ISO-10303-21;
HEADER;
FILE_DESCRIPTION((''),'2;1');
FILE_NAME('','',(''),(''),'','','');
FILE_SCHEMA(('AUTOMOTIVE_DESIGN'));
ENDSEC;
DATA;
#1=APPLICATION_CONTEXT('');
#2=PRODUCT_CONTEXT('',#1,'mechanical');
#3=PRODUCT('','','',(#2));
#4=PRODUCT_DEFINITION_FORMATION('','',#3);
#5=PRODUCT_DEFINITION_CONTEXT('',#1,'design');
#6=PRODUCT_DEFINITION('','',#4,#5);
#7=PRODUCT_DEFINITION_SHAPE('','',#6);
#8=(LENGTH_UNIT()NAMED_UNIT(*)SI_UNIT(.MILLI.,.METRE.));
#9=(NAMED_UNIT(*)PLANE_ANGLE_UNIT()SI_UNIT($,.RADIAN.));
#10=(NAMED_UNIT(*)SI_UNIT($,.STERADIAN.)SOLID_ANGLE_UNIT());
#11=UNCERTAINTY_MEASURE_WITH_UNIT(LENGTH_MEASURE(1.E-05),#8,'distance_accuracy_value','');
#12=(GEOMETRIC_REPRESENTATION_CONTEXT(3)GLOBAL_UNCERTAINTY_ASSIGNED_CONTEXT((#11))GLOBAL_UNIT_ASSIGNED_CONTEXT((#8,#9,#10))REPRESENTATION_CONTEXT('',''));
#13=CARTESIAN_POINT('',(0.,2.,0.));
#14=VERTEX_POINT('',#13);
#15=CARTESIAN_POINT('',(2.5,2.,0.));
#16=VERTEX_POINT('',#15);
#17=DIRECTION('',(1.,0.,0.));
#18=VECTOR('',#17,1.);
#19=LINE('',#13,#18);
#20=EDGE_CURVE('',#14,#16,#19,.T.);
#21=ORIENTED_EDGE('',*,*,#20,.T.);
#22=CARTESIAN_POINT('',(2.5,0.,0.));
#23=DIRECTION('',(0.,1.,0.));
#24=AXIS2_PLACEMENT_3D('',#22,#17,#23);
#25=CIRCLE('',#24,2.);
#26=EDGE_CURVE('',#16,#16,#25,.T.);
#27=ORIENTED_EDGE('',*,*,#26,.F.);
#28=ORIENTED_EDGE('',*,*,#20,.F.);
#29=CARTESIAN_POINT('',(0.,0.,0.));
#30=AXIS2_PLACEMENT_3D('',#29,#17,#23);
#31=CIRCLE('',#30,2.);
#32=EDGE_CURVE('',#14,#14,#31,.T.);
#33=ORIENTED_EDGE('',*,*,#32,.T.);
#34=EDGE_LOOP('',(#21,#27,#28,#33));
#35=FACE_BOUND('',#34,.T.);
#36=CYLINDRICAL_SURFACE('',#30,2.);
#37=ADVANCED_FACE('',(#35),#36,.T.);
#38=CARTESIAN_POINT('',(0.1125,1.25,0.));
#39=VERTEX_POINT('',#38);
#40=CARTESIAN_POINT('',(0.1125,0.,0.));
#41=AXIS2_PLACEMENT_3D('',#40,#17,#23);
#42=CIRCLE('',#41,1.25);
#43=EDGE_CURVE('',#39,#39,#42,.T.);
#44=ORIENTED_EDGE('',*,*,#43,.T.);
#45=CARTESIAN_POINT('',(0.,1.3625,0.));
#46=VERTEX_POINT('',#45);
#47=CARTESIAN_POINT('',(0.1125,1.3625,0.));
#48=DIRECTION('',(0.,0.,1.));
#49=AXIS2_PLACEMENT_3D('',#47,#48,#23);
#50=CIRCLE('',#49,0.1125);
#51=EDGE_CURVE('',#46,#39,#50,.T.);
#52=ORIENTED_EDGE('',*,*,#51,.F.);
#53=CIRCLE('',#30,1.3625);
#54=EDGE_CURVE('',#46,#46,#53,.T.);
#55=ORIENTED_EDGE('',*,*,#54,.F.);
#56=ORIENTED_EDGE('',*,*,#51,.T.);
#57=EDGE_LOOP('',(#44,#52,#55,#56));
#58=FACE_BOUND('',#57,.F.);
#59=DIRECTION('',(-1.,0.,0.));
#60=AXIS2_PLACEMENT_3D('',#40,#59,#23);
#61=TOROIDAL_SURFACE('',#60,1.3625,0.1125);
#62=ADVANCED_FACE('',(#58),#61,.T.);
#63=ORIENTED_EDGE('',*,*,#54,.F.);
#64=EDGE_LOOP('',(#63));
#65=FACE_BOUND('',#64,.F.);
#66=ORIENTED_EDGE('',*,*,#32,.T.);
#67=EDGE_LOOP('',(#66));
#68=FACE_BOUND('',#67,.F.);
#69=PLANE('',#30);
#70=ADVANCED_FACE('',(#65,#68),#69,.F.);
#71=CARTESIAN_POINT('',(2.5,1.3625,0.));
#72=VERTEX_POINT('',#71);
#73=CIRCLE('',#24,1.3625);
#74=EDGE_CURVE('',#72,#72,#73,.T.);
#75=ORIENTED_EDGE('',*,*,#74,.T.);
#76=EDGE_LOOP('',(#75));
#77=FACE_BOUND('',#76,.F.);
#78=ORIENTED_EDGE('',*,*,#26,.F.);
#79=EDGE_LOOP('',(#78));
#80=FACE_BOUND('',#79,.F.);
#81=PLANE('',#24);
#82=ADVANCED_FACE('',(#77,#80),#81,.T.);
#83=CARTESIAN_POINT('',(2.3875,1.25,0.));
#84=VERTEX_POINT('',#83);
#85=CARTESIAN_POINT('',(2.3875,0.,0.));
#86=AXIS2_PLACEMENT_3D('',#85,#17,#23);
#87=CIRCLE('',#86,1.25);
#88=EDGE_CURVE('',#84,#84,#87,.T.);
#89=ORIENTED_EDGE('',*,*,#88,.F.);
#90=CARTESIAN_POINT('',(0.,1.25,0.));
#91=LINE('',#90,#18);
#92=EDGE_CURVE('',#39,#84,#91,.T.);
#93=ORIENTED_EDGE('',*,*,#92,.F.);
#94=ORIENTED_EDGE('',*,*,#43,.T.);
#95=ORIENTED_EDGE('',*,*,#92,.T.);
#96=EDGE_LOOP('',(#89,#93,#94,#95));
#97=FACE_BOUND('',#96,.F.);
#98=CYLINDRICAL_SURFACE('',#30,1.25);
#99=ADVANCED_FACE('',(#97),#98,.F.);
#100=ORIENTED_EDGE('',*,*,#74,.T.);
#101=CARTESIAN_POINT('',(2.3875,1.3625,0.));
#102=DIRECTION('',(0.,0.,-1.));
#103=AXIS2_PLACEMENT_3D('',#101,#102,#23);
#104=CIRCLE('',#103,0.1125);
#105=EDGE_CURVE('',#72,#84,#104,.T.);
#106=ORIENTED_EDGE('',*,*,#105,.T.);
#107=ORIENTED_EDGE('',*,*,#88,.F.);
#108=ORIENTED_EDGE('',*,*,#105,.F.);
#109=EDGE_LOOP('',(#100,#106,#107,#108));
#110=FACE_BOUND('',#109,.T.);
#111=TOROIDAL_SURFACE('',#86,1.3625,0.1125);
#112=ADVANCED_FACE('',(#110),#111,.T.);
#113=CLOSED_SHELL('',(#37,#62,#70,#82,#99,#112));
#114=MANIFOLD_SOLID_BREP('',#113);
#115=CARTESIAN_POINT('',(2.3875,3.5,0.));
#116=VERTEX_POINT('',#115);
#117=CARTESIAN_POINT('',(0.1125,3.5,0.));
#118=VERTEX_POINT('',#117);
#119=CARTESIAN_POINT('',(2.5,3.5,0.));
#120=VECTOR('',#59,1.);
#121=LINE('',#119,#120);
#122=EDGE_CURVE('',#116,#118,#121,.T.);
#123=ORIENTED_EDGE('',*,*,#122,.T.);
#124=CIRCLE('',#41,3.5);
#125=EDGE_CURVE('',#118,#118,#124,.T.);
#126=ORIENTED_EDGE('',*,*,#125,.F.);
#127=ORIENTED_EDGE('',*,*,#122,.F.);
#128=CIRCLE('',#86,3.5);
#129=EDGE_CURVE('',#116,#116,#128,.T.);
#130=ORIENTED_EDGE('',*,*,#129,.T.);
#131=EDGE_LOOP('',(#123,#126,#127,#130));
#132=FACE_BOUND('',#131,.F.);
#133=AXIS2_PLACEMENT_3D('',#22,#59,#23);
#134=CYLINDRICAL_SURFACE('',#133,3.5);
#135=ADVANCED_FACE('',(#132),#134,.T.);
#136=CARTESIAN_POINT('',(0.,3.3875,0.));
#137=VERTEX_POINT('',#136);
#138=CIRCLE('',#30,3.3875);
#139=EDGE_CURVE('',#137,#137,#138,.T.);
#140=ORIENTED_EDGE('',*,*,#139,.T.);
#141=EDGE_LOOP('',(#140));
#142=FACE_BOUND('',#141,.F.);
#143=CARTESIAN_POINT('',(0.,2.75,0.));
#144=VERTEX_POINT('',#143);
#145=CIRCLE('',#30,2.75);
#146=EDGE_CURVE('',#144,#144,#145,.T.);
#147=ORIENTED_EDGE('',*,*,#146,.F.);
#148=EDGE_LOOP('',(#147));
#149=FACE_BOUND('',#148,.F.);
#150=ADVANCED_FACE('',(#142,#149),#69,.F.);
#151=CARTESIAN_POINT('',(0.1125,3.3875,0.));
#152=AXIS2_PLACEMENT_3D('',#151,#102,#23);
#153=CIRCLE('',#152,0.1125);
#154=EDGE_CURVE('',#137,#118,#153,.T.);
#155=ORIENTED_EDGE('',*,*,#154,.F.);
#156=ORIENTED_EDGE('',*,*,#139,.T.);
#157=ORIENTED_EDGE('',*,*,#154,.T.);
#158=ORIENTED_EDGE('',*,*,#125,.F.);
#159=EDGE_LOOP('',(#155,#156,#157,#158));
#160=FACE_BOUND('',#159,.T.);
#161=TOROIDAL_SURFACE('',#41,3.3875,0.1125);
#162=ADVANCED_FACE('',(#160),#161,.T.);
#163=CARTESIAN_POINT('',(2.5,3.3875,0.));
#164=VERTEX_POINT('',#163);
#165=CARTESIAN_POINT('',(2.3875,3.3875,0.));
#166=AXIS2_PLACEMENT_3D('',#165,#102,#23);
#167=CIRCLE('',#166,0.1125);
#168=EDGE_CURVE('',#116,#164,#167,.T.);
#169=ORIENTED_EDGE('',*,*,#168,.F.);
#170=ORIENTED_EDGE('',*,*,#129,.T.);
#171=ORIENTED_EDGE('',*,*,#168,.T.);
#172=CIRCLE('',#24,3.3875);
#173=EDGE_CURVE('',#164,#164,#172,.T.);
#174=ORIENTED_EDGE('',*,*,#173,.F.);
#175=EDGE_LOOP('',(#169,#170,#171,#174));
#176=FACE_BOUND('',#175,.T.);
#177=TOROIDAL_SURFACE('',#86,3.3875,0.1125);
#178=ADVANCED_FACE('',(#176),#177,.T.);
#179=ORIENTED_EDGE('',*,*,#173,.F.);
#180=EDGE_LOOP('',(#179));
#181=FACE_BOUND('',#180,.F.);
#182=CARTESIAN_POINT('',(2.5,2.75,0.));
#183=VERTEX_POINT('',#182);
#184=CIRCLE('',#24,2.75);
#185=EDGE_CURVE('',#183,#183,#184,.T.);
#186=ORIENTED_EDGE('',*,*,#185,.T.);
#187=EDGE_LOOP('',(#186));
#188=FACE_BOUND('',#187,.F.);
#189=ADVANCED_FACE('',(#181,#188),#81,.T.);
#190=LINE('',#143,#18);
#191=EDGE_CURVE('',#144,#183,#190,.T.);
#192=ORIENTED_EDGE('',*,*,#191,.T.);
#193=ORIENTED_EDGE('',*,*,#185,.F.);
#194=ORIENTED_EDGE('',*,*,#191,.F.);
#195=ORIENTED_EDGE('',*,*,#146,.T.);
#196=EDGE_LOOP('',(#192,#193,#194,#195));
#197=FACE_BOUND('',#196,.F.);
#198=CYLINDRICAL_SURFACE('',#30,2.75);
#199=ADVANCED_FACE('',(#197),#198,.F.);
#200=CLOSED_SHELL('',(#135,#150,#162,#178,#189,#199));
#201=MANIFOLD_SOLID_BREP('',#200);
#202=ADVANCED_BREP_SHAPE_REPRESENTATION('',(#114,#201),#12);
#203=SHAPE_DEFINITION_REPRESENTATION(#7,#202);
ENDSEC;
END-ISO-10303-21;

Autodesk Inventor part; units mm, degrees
ref_plane "YZ Plane" through (0, 0, 0) normal (1, 0, 0) x (0, 1, 0)
ref_plane "XZ Plane" through (0, 0, 0) normal (0, 1, 0) x (-1, 0, 0)
ref_plane "XY Plane" through (0, 0, 0) normal (0, 0, 1) x (1, 0, 0)
sketch "草图" plane through (0, 0, 0) normal (0, 0, 1) x (1, 0, 0)
  line L0 (0, 0) -> (2.5, 0)
  line L1 (0, 0) -> (0, 1.25) construction
  line L2 (0, 1.25) -> (2.5, 1.25)
  line L3 (2.5, 1.25) -> (2.5, 3.5)
  line L4 (2.5, 3.5) -> (0, 3.5)
  line L5 (0, 3.5) -> (0, 1.25)
  line L6 (0, 2.375) -> (2.5, 2.375)
  line L7 (0, 2.75) -> (2.5, 2.75)
  line L8 (0, 2) -> (2.5, 2)
  dimension "d0" = 2.5
  dimension "d1" = 2.5
  dimension "d2" = 4
  dimension "d3" = 7
revolve "轴承体" add sketch "草图" angle 360 about axis through (0, 0, 0) along (1, 0, 0) contours L5 L8 L3 L2 | L5 L4 L3 L7
fillet "圆角1" radius 0.1125 4 edges at (0, -3.5, 0) (2.5, -3.5, 0) (0, -1.25, 0) (2.5, -1.25, 0)
equation "\"d0\" = KB"
equation "\"d1\" = WD"
equation "\"d2\" = 0.333333 * BD + 0.666667 * WD"
equation "\"d3\" = BD"
equation "\"d5\" = -0.025 * WD + 0.025 * BD"
equation "\"WD\" = 2.5"
equation "\"BD\" = 7"
equation "\"KB\" = 2.5"
equation "\"BBA\" = 0"
equation "\"KRS\" = 0.15"
equation "\"KR1S\" = 0.08"
equation "\"BR\" = 0.5 * BD"
equation "\"WR\" = 0.5 * WD"
properties part number "ISO 1224 - 19 2.5 x  7 x  2.5" material "钢，软"
